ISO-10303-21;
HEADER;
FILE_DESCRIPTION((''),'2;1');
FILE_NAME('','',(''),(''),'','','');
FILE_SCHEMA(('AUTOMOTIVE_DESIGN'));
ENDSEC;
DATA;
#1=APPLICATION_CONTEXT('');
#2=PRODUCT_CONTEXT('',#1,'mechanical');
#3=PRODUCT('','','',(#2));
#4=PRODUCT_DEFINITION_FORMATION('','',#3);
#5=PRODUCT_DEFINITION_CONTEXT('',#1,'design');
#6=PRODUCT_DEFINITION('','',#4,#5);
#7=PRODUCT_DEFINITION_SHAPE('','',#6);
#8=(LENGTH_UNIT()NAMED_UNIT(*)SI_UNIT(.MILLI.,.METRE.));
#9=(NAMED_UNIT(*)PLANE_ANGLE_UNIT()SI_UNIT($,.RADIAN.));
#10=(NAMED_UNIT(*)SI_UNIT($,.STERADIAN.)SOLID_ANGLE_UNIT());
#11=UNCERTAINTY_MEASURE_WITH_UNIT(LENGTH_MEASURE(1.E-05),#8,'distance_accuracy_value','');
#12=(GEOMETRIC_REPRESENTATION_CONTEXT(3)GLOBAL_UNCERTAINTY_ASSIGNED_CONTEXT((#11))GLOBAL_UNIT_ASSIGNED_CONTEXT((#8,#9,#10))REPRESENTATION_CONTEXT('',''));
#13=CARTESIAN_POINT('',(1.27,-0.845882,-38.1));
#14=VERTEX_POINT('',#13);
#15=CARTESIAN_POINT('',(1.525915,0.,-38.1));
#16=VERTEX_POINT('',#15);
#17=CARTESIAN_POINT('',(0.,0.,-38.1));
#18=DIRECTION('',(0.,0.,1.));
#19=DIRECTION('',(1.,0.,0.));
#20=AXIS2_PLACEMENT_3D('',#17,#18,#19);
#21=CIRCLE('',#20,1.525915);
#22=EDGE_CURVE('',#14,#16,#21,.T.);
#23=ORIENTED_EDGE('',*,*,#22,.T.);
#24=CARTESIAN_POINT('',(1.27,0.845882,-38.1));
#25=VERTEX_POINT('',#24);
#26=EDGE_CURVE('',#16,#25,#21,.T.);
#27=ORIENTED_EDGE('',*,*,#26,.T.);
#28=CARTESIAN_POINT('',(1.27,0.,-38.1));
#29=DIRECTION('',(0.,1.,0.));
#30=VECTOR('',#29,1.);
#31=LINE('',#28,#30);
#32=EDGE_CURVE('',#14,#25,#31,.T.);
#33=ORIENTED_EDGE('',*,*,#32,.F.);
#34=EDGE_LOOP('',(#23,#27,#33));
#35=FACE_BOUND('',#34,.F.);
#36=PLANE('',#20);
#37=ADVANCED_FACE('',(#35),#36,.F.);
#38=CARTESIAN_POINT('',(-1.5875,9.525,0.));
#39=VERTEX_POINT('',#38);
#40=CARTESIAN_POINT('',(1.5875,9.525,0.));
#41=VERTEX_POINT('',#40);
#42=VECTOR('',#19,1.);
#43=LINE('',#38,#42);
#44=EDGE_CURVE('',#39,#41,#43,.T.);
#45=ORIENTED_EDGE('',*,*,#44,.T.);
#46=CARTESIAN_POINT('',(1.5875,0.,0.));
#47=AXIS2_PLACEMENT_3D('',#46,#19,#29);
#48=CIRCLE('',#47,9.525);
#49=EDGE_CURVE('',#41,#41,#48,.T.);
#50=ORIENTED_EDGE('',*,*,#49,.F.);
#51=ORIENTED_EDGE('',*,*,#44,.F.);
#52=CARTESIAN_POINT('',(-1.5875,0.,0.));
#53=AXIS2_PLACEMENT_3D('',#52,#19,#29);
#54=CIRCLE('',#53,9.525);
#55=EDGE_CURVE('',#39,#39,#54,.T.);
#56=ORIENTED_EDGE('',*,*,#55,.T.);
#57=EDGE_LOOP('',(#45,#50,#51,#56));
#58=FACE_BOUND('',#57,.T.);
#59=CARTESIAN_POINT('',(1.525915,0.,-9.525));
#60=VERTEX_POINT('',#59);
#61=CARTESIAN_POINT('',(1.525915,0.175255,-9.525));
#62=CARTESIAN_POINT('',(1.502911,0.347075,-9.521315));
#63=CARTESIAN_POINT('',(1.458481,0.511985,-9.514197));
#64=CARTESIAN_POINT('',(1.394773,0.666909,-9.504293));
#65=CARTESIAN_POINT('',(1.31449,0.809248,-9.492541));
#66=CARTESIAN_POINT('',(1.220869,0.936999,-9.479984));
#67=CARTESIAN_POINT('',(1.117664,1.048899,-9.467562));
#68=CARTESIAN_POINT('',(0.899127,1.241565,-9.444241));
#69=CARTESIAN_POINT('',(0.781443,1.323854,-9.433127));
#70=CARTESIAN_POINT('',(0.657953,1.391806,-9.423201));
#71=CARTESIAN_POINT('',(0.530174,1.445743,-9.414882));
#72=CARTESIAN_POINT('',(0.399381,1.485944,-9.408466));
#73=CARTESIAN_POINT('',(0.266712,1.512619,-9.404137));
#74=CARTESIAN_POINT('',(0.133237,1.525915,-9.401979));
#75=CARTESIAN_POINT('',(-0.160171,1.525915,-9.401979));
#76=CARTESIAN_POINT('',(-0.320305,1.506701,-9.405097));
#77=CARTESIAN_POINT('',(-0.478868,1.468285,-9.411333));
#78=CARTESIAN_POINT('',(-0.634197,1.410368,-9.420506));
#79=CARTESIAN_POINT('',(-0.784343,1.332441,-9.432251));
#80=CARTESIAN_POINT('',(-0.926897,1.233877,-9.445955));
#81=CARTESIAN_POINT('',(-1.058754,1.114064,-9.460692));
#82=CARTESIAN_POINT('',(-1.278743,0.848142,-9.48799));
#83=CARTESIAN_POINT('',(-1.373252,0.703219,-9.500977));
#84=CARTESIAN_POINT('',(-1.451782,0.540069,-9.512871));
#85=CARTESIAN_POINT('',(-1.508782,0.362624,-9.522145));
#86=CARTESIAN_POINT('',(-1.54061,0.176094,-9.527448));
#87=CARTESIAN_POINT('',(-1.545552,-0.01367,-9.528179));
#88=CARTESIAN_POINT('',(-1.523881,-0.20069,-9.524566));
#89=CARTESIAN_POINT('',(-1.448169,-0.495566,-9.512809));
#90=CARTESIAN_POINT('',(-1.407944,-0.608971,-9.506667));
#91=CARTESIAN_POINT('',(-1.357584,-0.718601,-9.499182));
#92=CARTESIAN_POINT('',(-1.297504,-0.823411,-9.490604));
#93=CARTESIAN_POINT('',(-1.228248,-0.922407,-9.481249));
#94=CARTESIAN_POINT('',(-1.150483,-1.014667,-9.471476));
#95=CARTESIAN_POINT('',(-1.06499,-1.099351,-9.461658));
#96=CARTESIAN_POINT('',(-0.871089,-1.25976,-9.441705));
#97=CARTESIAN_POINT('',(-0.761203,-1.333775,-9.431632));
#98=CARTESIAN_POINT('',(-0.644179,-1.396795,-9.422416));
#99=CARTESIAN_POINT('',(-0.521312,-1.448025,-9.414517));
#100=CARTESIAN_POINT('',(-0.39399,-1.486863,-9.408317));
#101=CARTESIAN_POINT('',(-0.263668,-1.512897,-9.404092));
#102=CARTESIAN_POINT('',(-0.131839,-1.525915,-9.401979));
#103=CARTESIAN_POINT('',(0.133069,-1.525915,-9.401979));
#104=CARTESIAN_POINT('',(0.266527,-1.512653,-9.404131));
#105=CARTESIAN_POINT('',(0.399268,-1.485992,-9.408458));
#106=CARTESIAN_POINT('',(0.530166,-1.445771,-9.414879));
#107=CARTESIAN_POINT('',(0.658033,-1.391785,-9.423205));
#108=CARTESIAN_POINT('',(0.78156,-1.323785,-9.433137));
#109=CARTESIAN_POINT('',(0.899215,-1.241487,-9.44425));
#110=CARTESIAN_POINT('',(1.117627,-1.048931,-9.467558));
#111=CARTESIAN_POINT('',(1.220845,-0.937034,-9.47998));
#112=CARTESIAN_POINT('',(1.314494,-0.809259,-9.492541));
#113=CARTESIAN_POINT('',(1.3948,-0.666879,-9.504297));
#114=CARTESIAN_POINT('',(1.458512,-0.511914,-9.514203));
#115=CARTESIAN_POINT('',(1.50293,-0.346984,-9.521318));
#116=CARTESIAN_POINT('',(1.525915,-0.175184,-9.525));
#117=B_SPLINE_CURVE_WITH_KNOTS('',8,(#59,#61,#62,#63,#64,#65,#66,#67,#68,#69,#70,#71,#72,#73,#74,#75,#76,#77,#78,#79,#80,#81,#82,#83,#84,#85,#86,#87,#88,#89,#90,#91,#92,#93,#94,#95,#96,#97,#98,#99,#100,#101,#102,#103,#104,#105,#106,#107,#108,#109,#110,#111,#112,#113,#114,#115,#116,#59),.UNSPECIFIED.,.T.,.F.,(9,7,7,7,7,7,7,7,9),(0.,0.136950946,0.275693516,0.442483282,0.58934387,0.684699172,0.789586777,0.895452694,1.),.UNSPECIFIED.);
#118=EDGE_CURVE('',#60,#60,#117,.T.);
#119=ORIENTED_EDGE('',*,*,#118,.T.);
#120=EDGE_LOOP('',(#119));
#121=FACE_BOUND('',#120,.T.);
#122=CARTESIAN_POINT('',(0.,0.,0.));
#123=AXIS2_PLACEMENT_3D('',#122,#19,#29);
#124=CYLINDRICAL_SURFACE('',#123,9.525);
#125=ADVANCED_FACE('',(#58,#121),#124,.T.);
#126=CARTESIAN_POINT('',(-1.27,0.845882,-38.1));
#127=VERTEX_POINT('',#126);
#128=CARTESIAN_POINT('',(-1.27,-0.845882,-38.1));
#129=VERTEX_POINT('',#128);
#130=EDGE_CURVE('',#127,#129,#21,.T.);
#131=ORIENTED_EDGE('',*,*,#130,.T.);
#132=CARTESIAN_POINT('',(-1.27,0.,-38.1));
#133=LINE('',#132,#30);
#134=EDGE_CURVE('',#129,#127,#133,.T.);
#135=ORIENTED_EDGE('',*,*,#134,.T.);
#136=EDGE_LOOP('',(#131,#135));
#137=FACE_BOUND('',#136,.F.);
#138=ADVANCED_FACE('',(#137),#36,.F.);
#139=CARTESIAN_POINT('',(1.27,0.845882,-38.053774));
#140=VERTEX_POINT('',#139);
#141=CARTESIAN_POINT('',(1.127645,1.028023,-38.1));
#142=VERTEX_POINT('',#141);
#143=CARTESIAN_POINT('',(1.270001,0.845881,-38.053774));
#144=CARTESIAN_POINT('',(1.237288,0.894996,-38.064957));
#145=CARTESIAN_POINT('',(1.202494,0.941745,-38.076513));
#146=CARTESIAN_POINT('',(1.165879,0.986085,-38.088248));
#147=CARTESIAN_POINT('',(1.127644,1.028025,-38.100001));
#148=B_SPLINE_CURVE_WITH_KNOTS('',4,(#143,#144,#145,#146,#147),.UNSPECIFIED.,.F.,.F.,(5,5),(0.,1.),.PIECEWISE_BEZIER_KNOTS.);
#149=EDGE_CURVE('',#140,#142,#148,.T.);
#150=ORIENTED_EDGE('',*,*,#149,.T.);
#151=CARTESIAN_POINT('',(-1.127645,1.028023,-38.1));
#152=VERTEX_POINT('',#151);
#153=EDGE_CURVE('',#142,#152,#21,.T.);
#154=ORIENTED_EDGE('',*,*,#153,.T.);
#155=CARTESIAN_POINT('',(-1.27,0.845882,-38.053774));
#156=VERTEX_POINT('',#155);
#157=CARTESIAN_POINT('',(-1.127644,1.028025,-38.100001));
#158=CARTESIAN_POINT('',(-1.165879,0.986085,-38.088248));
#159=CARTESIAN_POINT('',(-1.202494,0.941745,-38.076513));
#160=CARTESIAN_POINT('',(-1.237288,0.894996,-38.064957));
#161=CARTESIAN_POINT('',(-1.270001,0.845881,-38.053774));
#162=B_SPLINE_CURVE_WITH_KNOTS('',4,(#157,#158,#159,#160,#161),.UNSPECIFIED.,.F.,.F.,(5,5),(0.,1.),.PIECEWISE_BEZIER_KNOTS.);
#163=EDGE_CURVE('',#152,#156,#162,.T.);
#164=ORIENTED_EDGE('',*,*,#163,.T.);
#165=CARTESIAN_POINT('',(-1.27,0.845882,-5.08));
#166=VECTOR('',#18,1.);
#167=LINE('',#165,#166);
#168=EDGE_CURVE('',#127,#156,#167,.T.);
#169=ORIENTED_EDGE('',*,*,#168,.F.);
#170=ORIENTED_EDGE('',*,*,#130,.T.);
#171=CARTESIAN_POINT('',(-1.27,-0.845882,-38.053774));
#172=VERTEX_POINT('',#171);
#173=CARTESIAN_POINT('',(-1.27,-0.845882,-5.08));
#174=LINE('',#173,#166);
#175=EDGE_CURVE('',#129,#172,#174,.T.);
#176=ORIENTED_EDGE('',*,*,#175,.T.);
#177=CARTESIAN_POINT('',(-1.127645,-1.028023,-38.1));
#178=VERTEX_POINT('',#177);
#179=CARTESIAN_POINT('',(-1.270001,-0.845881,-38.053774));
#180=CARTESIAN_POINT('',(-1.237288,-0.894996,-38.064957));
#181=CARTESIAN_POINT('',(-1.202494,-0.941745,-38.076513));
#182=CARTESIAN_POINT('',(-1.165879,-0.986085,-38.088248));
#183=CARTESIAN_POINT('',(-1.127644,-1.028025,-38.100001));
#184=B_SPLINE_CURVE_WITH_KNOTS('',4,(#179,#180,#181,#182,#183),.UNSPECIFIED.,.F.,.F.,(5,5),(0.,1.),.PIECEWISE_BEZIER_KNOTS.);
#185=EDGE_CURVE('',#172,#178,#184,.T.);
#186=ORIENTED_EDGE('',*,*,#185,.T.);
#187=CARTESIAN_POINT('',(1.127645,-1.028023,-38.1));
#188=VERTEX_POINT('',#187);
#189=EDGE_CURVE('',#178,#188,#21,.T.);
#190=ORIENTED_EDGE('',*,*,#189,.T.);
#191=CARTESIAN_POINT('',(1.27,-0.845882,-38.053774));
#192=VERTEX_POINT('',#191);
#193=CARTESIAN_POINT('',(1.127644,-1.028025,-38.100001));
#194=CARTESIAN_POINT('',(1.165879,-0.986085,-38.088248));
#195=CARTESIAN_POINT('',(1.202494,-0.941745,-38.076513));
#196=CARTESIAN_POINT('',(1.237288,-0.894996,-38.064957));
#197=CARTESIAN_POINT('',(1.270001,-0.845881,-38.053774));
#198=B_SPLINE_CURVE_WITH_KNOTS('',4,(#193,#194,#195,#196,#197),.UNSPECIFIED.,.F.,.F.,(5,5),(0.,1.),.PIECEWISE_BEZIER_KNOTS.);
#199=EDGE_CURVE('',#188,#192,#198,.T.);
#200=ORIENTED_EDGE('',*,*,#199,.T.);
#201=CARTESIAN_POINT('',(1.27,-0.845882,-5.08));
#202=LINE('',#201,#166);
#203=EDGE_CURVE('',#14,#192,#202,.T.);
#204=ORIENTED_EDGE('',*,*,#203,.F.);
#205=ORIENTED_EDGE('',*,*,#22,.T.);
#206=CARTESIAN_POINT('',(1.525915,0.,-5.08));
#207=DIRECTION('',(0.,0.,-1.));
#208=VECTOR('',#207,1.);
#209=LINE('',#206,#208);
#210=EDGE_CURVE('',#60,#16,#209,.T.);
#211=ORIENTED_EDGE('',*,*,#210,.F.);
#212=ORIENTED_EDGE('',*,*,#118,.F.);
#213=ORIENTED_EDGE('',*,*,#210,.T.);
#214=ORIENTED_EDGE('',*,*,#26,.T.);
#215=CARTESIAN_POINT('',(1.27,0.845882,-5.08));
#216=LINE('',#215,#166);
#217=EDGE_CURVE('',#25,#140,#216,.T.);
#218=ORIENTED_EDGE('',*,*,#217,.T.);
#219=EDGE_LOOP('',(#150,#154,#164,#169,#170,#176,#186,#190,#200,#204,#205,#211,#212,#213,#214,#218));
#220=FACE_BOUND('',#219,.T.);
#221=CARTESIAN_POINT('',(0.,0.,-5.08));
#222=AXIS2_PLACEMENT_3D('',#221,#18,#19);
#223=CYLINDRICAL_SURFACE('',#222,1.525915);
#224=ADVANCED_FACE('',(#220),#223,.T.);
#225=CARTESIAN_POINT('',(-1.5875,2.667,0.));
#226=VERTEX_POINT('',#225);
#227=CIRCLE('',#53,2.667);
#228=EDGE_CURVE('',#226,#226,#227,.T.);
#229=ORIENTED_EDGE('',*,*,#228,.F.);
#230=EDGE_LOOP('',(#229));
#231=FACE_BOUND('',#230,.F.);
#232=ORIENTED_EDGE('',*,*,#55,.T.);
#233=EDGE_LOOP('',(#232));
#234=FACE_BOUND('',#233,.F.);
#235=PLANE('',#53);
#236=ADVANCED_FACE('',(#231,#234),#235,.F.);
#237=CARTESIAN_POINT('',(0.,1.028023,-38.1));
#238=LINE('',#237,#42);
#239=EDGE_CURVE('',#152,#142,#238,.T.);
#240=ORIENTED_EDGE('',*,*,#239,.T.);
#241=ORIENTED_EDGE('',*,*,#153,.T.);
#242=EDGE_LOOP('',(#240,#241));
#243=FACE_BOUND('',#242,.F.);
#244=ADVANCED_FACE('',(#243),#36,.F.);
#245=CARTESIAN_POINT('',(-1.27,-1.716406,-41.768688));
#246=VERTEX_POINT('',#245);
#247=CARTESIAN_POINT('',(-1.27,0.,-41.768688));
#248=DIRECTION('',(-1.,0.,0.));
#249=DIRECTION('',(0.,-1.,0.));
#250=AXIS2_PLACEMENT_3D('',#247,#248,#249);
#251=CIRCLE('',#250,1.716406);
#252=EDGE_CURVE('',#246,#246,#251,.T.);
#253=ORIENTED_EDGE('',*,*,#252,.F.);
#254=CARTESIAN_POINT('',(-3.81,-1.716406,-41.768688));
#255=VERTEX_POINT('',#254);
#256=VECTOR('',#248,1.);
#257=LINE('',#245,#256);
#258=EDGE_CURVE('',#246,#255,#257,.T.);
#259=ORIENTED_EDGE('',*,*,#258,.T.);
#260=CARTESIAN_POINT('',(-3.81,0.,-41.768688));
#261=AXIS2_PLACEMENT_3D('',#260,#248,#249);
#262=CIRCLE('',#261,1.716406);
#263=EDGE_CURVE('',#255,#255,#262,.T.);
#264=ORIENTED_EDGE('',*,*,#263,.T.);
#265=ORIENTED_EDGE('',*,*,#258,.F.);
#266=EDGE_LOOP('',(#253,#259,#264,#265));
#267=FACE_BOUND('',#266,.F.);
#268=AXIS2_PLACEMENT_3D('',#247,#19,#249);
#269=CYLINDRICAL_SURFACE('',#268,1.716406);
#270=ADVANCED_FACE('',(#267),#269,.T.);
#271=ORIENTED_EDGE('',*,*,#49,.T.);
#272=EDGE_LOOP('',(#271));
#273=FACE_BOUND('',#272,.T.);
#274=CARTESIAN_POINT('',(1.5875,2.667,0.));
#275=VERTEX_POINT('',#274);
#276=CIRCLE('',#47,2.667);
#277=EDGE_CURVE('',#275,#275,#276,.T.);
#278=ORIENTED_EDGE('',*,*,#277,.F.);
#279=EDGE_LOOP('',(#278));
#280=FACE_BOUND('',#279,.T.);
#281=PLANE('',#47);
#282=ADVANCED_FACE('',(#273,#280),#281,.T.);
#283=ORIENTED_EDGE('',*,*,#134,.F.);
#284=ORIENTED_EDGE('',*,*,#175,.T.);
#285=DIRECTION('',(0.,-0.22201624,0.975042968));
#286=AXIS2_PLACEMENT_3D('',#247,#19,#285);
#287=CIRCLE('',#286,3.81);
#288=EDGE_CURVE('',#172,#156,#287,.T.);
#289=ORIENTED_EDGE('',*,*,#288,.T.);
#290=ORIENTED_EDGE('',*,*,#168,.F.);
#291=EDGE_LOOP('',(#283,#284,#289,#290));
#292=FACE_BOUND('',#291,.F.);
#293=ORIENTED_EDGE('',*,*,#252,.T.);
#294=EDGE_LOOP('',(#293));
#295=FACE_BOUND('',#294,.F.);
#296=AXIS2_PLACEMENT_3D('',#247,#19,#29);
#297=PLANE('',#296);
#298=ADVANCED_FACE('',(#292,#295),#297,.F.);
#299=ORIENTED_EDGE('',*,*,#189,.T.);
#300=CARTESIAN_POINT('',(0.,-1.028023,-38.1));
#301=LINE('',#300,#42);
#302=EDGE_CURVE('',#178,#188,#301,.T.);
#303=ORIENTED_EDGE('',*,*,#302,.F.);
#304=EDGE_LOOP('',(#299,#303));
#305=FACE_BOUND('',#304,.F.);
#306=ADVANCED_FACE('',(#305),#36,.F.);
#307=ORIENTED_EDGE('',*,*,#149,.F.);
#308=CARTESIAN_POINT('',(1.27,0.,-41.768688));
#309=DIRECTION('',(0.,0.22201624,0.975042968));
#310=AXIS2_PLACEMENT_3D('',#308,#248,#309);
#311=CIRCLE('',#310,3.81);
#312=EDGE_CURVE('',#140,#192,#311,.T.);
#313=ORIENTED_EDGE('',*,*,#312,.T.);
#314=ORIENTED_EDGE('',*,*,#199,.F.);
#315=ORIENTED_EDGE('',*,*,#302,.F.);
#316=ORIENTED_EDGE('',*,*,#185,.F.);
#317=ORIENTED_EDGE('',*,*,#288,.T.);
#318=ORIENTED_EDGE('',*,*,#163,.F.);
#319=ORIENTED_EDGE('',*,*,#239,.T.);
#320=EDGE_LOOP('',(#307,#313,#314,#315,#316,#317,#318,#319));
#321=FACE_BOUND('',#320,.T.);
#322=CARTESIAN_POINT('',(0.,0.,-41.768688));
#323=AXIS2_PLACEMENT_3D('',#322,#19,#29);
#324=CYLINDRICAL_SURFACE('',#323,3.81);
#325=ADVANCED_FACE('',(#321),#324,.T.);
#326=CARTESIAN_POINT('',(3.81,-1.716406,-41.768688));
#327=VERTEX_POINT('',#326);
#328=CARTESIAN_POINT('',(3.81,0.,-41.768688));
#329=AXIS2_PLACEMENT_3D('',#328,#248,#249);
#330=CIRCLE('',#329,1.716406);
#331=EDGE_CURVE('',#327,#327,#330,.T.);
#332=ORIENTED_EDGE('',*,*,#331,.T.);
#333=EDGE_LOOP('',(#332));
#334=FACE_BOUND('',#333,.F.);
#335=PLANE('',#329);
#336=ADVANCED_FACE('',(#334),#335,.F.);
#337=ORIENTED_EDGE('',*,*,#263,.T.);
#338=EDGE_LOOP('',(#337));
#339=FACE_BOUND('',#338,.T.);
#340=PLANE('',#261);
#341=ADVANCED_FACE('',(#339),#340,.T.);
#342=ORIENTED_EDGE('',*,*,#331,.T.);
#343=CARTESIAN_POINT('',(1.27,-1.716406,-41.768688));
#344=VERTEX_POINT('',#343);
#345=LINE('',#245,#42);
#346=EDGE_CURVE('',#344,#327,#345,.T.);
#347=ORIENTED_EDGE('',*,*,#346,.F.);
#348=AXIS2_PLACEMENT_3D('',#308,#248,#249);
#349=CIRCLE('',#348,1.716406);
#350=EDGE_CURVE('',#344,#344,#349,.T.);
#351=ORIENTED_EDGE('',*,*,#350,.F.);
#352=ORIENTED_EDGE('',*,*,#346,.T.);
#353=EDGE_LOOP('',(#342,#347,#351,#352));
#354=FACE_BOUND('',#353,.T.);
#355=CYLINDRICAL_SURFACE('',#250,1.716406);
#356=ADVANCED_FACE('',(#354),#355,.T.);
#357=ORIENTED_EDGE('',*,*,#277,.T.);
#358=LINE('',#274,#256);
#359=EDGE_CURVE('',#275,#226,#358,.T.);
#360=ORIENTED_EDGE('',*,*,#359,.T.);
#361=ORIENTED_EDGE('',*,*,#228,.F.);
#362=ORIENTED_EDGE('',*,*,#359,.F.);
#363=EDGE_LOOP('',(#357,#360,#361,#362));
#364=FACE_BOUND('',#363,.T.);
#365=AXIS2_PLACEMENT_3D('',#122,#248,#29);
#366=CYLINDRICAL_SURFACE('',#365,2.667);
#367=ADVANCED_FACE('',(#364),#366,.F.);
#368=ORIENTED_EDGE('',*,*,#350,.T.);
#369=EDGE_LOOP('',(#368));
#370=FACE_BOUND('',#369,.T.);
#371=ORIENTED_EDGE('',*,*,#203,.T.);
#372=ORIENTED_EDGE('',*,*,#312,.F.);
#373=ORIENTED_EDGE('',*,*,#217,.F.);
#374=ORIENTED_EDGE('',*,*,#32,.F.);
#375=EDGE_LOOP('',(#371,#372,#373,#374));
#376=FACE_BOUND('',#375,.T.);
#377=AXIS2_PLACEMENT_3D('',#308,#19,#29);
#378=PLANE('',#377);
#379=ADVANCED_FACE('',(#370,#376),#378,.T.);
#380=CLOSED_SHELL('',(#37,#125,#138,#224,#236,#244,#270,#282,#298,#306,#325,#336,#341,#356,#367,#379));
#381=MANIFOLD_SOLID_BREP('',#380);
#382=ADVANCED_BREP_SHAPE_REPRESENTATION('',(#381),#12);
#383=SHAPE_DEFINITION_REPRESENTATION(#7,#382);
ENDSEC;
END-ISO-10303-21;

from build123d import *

# Parameters (mm, degrees)
F0_R          = 9.525
F0_R_2        = 2.667
F1_DEPTH      = 1.5875
F3_START      = -5.08
F2_R          = 1.5259148542
F3_DEPTH      = 33.02
F4_R          = 3.81
F5_DEPTH      = 1.27
F6_R          = 1.7164061496
F7_DEPTH      = 2.54
F7_DEPTH_BACK = 5.08


with BuildPart() as f1:
    # F0 (on Right) → F1 (new body, symmetric)
    with BuildSketch(Plane.YZ):
        Circle(F0_R)
        Circle(F0_R_2, mode=Mode.SUBTRACT)
    extrude(amount=F1_DEPTH, both=True)

    # F2 (on Top) → F3 (join)
    with BuildSketch(Plane.XY.offset(F3_START)):
        Circle(F2_R)
    extrude(amount=-F3_DEPTH)

    # F4 (on Right) → F5 (join, symmetric)
    with BuildSketch(Plane.YZ):
        with Locations((0, -41.7686875335)):
            Circle(F4_R)
    extrude(amount=F5_DEPTH, both=True)

    # F6 (on face) → F7 (join, two sides)
    with BuildSketch(Plane(origin=(-1.27, 0, 0), x_dir=(0, -1, 0), z_dir=(-1, 0, 0))) as f7_sk:
        with Locations((0, -41.7686875335)):
            Circle(F6_R)
    extrude(amount=F7_DEPTH)
    extrude(f7_sk.sketch, amount=-F7_DEPTH_BACK)


solid = f1.part
